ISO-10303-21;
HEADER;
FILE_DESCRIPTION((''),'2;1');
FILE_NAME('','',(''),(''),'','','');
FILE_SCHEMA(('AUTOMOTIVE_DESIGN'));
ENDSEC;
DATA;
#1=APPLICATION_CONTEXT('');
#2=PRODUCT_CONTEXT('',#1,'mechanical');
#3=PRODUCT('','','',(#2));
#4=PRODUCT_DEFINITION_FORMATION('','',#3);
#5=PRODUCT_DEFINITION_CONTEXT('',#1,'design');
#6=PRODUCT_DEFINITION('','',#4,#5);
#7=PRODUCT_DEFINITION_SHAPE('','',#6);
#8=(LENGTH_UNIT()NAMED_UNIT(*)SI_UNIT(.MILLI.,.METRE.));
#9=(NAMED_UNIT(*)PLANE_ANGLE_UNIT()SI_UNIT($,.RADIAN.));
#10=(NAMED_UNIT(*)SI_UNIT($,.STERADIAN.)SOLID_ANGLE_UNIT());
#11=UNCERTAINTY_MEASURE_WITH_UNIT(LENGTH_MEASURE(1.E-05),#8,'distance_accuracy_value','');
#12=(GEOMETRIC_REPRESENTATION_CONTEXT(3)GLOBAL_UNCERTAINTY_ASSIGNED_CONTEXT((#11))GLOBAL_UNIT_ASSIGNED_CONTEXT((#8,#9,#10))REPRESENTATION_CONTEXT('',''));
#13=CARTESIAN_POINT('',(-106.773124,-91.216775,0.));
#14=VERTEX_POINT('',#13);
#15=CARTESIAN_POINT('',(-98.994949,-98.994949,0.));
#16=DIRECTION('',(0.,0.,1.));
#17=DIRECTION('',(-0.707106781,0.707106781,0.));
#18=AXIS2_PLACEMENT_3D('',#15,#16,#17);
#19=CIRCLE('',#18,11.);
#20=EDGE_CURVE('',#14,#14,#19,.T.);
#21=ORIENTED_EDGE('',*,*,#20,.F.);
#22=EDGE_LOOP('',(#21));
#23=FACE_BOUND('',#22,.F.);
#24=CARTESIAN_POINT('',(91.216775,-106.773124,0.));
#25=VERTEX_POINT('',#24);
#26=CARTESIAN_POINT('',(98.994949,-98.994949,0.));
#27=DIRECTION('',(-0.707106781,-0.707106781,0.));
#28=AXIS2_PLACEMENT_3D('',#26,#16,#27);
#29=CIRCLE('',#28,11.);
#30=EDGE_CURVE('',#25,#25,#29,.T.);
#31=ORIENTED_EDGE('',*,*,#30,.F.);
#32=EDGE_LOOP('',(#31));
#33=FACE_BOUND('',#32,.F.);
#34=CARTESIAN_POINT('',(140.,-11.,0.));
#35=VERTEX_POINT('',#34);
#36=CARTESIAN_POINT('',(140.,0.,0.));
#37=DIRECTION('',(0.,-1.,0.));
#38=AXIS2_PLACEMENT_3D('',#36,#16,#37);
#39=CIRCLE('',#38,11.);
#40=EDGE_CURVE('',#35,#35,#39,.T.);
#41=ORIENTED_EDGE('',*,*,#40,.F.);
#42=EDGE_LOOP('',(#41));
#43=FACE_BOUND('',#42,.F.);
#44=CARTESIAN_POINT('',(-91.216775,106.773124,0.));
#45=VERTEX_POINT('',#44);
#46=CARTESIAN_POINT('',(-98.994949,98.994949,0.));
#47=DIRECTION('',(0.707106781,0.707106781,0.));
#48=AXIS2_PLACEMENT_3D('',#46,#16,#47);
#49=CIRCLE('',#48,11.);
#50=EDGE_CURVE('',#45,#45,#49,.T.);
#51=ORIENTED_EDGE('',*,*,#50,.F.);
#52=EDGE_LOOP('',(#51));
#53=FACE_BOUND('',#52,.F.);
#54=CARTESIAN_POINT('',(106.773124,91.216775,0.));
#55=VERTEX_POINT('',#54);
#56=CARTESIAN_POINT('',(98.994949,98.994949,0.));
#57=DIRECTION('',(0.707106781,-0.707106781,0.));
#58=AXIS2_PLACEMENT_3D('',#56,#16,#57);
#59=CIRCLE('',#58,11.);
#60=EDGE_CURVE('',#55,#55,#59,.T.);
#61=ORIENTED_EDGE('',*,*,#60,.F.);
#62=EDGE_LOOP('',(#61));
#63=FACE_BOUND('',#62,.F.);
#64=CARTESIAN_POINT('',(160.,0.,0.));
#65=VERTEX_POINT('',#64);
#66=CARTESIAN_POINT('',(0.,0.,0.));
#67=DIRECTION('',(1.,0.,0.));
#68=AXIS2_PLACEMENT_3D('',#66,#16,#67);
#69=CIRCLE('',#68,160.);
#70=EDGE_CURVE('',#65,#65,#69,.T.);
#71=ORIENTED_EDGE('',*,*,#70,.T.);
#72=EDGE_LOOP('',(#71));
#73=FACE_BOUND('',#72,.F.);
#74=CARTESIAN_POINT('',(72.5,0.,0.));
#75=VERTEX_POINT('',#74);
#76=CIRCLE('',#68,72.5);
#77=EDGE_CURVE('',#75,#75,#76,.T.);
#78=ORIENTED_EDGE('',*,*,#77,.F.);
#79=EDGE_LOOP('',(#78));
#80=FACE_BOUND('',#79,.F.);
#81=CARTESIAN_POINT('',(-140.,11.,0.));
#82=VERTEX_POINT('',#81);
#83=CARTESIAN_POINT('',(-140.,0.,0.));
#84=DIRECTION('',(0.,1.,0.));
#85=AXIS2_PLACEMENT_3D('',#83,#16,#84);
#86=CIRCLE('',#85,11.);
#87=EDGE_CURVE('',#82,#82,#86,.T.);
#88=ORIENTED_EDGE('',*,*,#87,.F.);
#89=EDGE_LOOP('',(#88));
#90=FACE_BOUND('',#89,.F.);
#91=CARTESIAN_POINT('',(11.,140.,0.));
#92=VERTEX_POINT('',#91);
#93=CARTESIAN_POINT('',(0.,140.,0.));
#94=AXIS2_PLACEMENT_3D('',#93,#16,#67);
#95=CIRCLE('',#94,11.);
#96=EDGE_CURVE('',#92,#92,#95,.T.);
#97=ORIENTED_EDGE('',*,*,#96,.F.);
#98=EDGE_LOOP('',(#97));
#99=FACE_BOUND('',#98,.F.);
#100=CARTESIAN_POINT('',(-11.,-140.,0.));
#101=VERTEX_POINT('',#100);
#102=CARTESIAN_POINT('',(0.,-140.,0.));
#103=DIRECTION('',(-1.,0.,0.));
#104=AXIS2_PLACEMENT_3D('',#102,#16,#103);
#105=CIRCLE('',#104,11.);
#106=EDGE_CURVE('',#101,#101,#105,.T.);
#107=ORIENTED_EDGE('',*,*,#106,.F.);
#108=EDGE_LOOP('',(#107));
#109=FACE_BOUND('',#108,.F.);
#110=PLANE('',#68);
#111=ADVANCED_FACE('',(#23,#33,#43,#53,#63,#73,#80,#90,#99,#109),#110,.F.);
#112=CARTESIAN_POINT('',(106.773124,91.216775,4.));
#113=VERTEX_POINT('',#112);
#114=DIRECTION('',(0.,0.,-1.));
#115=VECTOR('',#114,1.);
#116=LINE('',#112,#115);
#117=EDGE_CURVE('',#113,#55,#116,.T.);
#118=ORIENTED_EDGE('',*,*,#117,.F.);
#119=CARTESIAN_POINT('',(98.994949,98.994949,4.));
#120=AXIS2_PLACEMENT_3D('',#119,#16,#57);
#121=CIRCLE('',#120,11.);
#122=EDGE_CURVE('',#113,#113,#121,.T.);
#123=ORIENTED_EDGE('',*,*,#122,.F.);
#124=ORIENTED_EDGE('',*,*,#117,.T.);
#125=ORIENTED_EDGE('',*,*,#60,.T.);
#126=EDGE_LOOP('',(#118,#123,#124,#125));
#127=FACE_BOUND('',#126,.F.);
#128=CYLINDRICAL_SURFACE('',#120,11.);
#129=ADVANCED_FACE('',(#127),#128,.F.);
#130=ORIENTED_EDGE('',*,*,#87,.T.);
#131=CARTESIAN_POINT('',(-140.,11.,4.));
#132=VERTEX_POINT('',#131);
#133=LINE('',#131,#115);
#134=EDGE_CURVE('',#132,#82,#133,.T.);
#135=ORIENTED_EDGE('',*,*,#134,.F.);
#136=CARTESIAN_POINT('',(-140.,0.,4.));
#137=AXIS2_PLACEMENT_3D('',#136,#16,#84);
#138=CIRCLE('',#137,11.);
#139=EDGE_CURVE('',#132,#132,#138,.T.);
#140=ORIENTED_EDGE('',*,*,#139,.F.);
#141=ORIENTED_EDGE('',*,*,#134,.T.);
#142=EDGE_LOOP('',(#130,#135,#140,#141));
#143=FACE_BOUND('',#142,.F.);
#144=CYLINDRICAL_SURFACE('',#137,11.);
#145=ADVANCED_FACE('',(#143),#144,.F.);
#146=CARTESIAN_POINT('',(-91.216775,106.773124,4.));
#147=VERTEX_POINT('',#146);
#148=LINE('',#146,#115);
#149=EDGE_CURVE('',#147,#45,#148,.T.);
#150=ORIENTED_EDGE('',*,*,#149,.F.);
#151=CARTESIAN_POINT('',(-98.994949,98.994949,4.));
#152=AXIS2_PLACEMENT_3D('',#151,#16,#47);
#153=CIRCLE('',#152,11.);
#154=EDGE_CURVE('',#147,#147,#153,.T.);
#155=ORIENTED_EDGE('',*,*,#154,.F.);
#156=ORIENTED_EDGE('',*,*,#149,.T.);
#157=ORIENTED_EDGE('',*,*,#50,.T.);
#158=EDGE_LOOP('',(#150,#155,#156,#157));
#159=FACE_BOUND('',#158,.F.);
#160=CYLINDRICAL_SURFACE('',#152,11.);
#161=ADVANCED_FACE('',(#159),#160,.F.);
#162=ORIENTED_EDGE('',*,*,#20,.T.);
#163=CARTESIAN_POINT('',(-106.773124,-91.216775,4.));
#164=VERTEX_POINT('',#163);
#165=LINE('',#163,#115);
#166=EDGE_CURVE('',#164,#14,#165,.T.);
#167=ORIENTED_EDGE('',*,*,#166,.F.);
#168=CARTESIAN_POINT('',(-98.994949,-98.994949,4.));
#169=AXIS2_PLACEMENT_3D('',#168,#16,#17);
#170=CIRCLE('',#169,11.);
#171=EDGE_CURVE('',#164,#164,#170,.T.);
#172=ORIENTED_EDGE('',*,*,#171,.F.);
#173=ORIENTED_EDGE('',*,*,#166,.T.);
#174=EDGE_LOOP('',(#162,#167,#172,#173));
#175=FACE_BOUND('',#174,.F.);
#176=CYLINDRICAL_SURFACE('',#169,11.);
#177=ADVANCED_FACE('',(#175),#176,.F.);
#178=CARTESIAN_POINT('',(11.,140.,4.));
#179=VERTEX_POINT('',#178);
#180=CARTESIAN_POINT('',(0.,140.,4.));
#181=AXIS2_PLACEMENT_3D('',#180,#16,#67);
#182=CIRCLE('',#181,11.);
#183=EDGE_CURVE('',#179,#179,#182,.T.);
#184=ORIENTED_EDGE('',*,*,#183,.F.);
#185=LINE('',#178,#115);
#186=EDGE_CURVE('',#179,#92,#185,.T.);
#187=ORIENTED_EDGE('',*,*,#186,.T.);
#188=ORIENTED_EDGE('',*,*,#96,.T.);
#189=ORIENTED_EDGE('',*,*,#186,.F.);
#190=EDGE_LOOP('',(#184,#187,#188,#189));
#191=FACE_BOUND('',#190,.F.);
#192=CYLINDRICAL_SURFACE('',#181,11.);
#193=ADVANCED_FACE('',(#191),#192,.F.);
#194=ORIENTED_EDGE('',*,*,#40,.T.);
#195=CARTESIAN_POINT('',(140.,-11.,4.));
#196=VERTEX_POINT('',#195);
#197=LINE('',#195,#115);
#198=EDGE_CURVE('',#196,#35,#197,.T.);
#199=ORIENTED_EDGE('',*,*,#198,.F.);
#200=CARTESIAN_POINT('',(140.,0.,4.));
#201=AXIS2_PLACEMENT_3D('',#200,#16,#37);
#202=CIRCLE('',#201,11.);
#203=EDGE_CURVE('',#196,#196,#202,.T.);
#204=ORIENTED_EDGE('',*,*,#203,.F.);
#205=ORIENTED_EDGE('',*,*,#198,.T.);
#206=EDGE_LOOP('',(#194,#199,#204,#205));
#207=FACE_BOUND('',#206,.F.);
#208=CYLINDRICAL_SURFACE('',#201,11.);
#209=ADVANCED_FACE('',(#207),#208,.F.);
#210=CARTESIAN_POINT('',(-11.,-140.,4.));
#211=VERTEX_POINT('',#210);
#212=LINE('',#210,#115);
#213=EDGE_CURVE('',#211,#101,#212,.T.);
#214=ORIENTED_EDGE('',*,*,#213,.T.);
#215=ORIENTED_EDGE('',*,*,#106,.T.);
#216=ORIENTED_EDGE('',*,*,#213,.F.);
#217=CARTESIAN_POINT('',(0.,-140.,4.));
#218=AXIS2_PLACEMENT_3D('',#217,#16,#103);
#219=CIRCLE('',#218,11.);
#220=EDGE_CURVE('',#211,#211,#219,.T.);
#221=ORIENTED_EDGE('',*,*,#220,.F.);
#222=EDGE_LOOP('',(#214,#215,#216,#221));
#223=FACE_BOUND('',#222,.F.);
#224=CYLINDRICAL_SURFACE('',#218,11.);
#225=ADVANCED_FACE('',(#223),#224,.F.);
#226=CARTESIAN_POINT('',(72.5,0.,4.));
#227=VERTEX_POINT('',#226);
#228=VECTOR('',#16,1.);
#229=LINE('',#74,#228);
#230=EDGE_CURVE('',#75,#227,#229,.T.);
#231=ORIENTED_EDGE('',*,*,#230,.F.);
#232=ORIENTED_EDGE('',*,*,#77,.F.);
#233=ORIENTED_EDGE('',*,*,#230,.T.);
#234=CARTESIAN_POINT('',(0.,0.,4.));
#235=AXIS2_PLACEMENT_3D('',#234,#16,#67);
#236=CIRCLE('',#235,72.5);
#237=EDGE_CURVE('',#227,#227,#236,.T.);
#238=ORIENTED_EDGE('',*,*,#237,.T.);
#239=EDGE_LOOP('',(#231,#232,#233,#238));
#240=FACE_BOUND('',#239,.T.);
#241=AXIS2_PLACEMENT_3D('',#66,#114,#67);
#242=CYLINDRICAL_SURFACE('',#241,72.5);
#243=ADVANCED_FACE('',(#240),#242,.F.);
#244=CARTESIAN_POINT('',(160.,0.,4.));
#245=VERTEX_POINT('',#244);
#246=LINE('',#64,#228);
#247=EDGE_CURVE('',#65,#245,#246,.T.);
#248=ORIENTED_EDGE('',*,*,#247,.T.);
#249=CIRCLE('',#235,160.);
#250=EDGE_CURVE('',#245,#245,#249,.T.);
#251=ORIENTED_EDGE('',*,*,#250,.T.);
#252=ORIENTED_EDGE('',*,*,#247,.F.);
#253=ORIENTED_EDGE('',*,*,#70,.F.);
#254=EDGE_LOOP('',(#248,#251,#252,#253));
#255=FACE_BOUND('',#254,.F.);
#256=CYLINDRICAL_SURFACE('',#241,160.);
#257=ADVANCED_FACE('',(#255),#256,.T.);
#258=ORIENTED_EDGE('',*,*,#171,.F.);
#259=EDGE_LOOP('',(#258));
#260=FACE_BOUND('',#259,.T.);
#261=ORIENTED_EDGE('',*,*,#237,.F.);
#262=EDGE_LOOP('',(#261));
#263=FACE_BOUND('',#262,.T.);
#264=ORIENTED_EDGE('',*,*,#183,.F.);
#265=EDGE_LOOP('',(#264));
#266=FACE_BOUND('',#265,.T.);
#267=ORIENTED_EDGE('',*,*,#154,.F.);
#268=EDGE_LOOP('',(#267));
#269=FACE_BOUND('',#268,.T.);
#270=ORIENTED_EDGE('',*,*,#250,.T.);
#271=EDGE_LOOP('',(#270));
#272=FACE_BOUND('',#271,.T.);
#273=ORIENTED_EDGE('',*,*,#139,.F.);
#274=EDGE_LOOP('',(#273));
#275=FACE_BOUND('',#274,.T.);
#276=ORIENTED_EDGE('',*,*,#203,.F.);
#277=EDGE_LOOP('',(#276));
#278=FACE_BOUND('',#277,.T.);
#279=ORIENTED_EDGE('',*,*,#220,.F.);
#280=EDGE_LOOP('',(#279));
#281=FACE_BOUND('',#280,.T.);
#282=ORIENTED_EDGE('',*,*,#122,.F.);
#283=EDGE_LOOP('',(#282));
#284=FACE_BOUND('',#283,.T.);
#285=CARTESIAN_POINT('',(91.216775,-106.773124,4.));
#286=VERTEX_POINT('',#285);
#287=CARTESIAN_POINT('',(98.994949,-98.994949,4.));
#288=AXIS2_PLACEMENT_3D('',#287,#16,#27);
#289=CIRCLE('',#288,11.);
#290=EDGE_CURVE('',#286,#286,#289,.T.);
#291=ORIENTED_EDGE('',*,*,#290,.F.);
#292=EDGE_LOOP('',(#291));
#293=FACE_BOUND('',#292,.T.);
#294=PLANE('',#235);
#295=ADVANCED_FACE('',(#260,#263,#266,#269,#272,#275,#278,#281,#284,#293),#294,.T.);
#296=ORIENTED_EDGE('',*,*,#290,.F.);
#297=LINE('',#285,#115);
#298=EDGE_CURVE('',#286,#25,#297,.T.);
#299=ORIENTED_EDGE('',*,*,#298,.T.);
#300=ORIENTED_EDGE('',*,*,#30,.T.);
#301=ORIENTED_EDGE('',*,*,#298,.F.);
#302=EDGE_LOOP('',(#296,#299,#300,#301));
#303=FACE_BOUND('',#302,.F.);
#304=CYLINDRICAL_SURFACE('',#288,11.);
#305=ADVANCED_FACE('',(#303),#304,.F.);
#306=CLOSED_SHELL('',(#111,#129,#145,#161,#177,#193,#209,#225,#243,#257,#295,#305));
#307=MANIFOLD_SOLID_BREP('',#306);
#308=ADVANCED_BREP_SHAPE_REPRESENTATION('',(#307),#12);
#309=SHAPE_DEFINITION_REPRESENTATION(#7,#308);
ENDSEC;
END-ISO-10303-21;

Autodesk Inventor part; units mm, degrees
ref_plane "YZ Plane" through (0, 0, 0) normal (1, 0, 0) x (0, 1, 0)
ref_plane "XZ Plane" through (0, 0, 0) normal (0, 1, 0) x (-1, 0, 0)
ref_plane "XY Plane" through (0, 0, 0) normal (0, 0, 1) x (1, 0, 0)
sketch "Sketch1" plane through (0, 0, 0) normal (0, 0, 1) x (1, 0, 0)
  circle A0 centre (0, 0) radius 72.5
  circle A1 centre (0, 0) radius 160
  dimension "d22" = 145
  dimension "d23" = 320
extrude "Plate1" add sketch "Sketch1" along normal blind 4
sketch "Sketch5" plane through (0, 0, 4) normal (0, 0, 1) x (1, 0, 0)
  circle A0 centre (0, 140) radius 11
  circle A1 centre (0, 0) radius 140 construction
  circle A2 centre (0, 0) radius 190 construction
  circle A3 centre (0, 190) radius 6.5
  dimension "d25" = 280
  dimension "d32" = 380
  dimension "d24" = 22
  dimension "d31" = 13
extrude "Cut1" cut sketch "Sketch5" against normal blind 4 contours A0
pattern_circular "Circular Pattern1" count 8 over 360 about axis through (0, 0, 0) along (0, 0, 1) of "Cut1"
equation "\"d26\" = Thickness"
equation "\"d2\" = Thickness"
equation "\"BendReliefWidth\" = Thickness"
equation "\"BendReliefDepth\" = 0.5 * Thickness"
equation "\"CornerReliefSize\" = 4 * Thickness"
equation "\"MinimumRemnant\" = 2 * Thickness"
equation "\"TransitionRadius\" = BendRadius"
equation "\"JacobiRadiusSize\" = BendRadius"
equation "\"GapSize\" = Thickness"
equation "\"Thickness\" = 4"
equation "\"BendRadius\" = 5"
properties part number "TKS 3109 top DS main flange" material "Stainless Steel"
